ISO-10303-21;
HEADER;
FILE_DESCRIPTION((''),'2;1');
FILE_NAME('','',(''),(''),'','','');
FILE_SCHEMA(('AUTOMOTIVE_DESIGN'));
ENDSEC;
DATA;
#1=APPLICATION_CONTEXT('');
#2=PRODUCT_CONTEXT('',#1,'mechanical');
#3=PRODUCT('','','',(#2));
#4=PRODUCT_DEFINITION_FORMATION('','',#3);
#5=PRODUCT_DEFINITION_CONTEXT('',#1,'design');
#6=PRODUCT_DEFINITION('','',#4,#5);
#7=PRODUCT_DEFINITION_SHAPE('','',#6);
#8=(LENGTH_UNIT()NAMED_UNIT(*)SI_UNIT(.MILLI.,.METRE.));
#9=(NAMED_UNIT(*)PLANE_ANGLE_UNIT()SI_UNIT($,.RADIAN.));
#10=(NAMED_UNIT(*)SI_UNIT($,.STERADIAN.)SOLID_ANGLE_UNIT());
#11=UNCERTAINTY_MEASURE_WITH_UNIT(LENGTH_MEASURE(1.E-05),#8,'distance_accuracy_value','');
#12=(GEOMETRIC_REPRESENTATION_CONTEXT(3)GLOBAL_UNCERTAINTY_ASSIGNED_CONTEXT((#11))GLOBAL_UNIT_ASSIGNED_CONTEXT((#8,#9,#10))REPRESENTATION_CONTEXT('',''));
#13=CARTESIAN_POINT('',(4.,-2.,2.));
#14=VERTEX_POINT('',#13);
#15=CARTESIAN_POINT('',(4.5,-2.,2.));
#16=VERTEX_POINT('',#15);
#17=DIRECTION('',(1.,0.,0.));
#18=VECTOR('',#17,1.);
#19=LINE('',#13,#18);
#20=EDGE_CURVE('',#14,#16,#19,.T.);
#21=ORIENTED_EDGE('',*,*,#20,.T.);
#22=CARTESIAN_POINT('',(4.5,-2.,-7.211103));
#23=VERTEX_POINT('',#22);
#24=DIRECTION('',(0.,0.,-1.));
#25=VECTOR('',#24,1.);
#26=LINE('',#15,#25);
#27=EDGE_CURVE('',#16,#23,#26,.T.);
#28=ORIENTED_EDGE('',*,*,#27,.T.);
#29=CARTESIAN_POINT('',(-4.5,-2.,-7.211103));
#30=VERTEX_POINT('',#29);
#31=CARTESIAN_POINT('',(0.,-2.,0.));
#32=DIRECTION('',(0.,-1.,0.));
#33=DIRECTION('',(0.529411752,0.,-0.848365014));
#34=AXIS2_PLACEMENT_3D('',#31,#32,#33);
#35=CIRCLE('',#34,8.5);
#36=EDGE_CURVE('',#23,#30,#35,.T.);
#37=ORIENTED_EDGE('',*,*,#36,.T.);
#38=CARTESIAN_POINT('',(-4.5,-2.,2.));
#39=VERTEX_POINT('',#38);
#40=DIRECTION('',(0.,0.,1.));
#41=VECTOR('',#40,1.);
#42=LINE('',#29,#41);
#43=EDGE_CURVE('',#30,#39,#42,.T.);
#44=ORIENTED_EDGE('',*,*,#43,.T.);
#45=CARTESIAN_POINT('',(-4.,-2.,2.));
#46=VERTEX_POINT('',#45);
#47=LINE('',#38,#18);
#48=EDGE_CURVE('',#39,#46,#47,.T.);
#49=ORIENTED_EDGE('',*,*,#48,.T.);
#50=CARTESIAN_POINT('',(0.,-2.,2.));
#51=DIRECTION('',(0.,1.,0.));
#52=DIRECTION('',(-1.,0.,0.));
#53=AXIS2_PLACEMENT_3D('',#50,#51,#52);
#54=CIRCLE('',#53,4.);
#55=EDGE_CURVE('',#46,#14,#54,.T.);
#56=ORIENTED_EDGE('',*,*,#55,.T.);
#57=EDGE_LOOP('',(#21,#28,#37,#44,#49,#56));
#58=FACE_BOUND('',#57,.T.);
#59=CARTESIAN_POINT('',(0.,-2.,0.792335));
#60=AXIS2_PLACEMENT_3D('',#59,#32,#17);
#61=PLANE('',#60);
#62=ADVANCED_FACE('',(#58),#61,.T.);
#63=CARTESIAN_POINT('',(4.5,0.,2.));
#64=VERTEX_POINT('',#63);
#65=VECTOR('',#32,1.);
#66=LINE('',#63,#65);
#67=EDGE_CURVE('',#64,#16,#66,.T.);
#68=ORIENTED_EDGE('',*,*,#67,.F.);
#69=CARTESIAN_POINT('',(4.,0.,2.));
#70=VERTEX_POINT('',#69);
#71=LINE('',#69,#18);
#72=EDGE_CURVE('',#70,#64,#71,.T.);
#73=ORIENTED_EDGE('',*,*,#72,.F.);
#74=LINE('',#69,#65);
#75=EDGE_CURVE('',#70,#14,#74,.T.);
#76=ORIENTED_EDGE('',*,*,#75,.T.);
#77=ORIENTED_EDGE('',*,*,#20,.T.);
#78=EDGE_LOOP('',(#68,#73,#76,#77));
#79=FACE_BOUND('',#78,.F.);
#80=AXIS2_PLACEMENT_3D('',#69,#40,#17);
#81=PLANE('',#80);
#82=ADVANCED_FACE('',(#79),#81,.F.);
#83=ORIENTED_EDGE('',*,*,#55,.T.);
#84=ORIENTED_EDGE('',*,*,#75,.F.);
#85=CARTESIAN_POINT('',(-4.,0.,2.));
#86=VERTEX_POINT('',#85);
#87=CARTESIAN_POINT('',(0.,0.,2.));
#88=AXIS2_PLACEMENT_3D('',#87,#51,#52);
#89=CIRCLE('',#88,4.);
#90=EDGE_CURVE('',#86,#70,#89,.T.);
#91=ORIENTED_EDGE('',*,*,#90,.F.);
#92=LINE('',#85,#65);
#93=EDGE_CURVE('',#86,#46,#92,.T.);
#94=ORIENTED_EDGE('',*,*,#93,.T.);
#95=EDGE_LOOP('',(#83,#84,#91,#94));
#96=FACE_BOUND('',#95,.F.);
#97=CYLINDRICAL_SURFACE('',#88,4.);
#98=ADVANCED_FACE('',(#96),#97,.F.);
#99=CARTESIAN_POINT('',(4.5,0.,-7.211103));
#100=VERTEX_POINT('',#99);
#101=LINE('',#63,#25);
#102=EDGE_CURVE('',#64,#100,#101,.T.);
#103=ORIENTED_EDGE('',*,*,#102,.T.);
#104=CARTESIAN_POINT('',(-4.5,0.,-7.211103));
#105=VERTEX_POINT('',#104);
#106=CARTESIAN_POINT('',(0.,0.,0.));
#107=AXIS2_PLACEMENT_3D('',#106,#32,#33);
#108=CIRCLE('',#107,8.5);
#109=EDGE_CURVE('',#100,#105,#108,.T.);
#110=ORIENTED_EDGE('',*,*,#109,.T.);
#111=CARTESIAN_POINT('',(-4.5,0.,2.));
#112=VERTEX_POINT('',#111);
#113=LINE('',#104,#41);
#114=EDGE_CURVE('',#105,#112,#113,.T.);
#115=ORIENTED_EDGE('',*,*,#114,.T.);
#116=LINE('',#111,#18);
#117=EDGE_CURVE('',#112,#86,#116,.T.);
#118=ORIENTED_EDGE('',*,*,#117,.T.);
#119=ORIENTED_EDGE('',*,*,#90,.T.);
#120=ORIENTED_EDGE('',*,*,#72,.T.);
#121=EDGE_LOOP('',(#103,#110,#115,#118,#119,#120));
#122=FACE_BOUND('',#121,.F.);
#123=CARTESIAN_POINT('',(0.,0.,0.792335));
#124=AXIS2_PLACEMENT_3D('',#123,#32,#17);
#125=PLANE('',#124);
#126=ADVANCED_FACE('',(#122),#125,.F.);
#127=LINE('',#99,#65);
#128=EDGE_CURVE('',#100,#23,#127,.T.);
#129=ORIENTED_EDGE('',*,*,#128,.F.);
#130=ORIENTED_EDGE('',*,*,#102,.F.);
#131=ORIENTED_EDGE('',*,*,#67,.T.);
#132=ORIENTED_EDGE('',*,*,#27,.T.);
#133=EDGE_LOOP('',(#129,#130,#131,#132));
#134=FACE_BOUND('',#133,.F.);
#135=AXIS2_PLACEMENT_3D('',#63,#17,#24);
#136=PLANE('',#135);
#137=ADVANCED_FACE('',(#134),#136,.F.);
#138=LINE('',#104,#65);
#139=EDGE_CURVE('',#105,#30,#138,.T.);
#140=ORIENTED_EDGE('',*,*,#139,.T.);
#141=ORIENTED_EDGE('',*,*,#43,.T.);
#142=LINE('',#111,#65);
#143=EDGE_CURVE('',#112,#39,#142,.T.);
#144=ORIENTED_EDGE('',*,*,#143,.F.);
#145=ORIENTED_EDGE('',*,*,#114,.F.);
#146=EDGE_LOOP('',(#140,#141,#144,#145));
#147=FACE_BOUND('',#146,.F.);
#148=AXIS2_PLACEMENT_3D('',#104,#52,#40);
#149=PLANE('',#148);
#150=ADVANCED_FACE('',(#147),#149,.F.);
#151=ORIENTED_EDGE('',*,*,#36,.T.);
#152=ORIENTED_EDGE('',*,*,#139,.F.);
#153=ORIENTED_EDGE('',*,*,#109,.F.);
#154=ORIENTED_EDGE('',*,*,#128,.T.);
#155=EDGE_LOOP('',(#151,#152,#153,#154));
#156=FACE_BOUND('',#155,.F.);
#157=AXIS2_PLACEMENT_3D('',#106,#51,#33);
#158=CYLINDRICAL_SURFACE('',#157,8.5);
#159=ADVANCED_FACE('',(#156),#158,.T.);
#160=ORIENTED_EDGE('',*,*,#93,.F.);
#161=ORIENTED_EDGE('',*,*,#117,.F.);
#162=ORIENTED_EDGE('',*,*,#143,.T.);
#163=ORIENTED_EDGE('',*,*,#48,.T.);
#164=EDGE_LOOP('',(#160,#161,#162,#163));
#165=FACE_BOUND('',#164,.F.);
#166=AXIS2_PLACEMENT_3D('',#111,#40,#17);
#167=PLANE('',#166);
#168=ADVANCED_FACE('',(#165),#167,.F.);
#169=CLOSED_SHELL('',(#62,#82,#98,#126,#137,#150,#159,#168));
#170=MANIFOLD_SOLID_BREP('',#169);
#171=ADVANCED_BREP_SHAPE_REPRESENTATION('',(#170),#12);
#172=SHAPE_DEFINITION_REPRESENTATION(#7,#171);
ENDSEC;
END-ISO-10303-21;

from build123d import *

# Parameters (mm, degrees)
F1_DEPTH = 2


with BuildPart() as f1:
    # F0 (on Front) → F1 (new body)
    with BuildSketch(Plane.XZ):
        with BuildLine():
            Line((-4.5, 2), (-4, 2))
            ThreePointArc((-4, 2), (0, 6), (4, 2))
            Line((4, 2), (4.5, 2))
            Line((4.5, 2), (4.5, -4.5))
            Line((4.5, -4.5), (4.5, -7.211103))
            ThreePointArc((4.5, -7.211103), (0, 8.5), (-4.5, -7.211103))
            Line((-4.5, -7.211103), (-4.5, -4.5))
            Line((-4.5, -4.5), (-4.5, 2))
        make_face()
    extrude(amount=F1_DEPTH)


solid = f1.part
